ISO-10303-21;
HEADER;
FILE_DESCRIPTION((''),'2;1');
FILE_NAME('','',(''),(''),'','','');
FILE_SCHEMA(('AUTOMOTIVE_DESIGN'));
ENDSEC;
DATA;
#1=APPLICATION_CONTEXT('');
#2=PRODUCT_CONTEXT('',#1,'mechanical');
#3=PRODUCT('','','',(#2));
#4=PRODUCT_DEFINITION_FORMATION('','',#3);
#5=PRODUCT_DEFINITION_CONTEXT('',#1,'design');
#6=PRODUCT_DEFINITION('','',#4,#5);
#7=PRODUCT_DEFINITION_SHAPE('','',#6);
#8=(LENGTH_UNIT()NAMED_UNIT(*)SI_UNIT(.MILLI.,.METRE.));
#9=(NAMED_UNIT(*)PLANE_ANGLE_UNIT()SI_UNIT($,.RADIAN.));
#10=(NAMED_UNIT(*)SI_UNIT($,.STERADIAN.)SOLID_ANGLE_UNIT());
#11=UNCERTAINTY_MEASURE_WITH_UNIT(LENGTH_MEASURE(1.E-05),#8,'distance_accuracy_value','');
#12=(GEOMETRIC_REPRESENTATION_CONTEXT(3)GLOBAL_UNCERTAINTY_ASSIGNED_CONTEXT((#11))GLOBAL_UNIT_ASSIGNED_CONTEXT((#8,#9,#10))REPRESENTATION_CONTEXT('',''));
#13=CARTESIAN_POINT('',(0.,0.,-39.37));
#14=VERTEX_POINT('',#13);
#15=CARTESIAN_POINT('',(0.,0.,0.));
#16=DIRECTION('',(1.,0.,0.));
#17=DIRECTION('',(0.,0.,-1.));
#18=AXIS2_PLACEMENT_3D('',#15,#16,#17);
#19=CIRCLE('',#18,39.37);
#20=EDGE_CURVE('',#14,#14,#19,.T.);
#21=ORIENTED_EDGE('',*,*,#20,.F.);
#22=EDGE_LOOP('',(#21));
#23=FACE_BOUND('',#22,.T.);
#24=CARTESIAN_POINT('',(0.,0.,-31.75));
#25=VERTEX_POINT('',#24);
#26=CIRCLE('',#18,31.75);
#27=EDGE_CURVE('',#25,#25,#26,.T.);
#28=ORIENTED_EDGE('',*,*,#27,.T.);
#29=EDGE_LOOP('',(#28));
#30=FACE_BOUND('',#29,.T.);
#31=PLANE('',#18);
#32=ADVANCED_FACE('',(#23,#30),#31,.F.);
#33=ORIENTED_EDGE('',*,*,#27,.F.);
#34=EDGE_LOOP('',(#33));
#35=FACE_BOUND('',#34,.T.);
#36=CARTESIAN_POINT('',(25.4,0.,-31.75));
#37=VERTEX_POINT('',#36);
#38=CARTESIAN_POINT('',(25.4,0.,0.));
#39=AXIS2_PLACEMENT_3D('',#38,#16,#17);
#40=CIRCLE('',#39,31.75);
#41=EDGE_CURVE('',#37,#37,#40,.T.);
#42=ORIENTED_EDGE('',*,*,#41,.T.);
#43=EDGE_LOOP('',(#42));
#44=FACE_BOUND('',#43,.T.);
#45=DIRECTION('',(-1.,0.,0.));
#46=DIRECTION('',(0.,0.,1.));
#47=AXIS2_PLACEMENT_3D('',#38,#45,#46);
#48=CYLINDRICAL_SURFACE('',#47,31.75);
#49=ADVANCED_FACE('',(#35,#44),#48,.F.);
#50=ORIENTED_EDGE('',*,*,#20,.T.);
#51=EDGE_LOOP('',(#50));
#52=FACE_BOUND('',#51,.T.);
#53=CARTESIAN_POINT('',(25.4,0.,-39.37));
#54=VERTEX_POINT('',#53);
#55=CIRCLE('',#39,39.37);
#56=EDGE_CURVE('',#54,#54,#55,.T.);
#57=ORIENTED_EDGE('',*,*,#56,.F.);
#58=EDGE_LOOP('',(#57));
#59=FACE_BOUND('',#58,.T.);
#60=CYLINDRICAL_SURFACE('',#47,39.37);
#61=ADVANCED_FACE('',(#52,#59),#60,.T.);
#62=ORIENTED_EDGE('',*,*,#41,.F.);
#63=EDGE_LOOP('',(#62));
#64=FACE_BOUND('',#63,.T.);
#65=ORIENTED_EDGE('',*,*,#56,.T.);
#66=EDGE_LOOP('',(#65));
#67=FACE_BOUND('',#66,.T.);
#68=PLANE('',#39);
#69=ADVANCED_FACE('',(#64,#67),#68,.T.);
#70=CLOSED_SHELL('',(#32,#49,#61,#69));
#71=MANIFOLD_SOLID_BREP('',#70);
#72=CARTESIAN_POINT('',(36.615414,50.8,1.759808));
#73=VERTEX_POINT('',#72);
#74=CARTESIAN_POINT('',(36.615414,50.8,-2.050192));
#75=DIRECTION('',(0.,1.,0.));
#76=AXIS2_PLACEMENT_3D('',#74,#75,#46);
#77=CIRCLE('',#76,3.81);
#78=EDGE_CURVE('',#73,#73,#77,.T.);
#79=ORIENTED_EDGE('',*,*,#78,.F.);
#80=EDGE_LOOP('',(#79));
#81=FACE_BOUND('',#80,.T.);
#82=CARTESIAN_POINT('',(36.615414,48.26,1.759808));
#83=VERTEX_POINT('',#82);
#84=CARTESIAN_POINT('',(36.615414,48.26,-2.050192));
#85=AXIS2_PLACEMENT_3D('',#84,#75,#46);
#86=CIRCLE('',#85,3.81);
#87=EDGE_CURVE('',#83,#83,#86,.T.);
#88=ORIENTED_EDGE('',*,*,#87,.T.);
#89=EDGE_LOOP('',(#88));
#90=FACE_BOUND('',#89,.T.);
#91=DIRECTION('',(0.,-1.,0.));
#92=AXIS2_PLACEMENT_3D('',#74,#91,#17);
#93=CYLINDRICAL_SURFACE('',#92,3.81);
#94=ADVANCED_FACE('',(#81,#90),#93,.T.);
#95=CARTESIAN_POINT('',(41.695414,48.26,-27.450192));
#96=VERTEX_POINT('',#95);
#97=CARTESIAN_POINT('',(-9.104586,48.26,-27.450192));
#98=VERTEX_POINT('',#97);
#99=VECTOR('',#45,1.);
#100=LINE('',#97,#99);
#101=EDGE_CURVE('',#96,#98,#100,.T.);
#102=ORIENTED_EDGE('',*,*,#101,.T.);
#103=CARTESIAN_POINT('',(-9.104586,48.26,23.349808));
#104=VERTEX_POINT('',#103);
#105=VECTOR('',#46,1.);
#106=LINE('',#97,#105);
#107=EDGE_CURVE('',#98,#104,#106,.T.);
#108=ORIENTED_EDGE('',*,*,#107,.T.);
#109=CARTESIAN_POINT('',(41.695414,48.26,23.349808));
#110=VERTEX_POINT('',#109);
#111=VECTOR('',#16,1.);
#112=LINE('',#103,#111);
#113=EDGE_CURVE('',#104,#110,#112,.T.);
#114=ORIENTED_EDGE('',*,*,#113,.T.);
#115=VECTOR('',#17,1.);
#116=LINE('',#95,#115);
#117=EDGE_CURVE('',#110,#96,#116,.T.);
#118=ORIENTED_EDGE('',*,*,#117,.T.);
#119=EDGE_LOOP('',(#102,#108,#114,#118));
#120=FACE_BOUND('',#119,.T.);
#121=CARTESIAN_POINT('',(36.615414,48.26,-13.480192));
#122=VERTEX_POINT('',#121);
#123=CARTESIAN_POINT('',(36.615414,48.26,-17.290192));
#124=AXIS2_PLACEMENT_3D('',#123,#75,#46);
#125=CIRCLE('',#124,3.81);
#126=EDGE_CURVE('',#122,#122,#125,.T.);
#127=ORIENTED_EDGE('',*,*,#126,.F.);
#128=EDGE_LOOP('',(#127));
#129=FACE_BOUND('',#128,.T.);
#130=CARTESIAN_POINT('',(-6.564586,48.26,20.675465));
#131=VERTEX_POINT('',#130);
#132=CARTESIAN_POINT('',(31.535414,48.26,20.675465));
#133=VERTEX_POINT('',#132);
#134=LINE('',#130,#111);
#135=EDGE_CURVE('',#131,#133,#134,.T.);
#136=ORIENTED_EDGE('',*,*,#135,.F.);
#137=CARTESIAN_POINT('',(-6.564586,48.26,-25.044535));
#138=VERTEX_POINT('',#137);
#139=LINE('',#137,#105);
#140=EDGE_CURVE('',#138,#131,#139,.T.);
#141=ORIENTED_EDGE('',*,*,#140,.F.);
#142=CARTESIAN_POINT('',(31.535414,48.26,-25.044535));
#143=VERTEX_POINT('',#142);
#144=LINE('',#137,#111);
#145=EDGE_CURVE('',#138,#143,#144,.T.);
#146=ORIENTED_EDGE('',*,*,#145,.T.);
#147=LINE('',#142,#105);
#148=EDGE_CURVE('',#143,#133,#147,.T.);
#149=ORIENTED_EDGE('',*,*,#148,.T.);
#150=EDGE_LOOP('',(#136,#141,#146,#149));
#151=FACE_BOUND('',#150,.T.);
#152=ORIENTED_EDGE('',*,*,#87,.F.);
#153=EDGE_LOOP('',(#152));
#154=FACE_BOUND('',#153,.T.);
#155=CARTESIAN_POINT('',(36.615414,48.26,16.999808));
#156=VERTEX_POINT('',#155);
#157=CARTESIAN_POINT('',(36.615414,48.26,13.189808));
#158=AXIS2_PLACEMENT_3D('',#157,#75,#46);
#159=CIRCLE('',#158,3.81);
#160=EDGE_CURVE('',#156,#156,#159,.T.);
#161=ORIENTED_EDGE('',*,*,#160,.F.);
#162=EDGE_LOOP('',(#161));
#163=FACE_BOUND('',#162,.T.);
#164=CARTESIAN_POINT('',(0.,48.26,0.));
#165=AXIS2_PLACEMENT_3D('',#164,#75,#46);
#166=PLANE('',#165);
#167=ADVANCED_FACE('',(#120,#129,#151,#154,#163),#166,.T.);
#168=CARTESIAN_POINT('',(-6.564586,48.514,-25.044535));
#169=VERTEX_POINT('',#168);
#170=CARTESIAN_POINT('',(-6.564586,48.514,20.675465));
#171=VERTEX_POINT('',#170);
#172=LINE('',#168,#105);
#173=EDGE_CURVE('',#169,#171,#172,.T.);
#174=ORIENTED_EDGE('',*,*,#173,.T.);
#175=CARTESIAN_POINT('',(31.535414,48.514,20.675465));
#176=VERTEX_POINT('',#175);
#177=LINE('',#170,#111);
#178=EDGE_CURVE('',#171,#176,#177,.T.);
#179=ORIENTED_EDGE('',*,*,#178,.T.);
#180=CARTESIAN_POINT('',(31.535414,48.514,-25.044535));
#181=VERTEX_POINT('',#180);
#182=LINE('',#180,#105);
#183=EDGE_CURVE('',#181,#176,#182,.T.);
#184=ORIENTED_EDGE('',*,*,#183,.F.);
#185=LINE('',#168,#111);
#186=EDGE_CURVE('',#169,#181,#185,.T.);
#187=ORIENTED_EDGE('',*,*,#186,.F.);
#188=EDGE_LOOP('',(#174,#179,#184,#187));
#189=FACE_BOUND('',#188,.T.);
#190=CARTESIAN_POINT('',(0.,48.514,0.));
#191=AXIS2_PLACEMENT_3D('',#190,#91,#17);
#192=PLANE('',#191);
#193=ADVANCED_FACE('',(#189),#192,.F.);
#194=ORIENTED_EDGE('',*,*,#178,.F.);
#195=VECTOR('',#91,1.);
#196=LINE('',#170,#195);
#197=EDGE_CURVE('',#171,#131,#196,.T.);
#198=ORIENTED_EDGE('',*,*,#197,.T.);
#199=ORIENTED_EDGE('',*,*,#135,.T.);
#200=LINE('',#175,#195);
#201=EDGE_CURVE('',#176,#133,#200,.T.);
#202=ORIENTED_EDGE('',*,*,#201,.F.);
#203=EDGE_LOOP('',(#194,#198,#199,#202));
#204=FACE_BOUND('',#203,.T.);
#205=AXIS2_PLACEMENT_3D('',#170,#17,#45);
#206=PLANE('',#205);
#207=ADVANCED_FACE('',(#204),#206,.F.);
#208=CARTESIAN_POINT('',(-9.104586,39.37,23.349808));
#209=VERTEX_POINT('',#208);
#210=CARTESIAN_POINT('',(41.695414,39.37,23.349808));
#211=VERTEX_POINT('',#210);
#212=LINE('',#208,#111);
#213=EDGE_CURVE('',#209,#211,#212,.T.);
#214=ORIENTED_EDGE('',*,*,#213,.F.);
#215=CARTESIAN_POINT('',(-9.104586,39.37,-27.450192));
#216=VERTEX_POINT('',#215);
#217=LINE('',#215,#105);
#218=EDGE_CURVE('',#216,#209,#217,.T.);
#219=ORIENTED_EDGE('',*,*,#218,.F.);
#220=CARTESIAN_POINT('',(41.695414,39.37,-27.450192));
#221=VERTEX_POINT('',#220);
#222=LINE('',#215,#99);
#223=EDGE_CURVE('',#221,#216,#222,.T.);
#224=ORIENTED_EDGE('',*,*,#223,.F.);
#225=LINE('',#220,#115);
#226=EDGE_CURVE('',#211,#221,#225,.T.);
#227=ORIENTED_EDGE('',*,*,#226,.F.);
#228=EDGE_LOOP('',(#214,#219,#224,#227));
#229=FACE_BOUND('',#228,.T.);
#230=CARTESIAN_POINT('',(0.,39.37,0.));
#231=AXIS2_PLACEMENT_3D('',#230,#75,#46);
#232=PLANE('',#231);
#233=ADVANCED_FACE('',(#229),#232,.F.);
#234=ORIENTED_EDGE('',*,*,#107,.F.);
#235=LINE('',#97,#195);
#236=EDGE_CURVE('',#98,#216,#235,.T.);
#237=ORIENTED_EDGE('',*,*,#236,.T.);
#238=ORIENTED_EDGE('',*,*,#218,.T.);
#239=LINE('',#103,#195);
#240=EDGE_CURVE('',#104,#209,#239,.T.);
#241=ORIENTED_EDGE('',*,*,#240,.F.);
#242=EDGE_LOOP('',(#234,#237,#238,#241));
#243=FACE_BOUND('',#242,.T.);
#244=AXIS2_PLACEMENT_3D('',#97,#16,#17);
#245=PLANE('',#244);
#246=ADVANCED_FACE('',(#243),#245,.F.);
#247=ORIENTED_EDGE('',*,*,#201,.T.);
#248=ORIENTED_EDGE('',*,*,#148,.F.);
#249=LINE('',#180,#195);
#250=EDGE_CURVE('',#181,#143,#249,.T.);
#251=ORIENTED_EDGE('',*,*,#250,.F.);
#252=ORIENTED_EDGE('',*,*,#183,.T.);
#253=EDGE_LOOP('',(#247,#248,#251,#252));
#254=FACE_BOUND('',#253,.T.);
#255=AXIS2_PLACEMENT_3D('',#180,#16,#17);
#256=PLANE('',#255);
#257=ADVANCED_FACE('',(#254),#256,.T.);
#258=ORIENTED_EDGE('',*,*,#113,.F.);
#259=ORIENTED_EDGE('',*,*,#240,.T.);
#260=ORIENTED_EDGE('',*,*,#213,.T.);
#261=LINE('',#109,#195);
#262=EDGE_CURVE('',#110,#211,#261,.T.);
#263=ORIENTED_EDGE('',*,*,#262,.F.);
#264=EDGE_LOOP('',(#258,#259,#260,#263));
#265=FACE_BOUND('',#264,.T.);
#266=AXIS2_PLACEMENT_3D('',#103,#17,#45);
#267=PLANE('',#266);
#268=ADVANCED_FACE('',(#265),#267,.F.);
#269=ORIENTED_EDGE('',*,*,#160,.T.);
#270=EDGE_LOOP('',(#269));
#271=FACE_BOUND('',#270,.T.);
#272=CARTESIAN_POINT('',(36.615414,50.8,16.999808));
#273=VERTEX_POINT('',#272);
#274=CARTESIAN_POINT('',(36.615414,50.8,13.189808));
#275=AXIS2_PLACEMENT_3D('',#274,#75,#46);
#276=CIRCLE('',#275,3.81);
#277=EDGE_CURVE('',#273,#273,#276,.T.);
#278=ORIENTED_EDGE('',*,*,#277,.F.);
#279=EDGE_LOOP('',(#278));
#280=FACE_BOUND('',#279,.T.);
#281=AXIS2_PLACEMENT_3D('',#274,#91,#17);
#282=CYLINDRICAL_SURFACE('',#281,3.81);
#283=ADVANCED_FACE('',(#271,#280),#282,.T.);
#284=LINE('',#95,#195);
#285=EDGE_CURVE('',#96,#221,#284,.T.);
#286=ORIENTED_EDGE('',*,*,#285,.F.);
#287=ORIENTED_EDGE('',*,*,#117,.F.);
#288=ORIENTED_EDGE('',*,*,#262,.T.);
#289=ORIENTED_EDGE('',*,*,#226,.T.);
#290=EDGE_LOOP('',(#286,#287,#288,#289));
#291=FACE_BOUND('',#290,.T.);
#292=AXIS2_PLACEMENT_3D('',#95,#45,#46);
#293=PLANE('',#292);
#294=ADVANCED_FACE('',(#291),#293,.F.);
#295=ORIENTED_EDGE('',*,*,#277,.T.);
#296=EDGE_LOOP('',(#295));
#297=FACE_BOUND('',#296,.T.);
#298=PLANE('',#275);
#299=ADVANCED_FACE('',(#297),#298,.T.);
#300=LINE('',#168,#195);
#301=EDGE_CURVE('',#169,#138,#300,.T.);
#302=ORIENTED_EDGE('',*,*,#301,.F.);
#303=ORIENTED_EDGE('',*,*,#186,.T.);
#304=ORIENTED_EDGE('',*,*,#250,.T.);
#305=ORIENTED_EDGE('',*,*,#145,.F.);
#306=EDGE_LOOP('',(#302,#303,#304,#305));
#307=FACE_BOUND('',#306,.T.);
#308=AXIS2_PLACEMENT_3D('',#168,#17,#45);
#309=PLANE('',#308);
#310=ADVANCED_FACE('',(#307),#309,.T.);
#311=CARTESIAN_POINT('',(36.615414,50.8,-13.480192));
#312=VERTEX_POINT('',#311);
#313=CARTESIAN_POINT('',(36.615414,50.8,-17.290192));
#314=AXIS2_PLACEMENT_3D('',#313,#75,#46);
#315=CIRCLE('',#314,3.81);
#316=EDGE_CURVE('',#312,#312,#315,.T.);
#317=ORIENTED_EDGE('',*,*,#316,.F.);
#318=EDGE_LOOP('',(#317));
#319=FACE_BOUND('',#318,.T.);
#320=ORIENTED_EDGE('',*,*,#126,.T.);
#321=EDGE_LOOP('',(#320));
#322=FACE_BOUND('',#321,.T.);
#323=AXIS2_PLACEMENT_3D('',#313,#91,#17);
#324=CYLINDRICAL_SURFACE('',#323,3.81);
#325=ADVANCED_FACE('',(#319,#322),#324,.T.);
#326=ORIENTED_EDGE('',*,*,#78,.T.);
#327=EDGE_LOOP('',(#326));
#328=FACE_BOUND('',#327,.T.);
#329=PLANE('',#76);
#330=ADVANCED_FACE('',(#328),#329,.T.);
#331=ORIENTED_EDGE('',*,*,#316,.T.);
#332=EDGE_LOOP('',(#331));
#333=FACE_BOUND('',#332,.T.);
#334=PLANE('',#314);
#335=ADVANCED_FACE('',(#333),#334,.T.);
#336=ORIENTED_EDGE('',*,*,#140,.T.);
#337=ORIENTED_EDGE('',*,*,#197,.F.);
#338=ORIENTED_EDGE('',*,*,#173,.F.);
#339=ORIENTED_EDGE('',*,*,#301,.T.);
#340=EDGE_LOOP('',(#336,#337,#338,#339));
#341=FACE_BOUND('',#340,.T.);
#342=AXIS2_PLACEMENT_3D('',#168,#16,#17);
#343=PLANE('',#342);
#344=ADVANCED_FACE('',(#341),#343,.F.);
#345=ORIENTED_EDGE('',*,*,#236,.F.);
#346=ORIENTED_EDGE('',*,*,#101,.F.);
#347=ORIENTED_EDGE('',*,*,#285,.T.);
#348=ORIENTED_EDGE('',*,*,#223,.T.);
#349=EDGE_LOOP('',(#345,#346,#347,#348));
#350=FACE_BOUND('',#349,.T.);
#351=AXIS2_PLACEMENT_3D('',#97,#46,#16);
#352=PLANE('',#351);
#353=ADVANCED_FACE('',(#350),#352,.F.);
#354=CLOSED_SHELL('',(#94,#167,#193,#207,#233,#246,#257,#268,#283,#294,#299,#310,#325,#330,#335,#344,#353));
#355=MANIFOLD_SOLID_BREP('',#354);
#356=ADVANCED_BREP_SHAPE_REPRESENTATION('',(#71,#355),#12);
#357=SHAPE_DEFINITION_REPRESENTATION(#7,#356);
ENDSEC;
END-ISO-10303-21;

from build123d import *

# Parameters (mm, degrees)
SKETCH1_R           = 39.37
SKETCH1_R_2         = 31.75
BOSS_EXTRUDE1_DEPTH = 25.4
SKETCH4_W           = 50.8
SKETCH4_H           = 50.8
BOSS_EXTRUDE3_DEPTH = 8.89
SKETCH5_W           = 38.1
SKETCH5_H           = 45.72
BOSS_EXTRUDE4_DEPTH = 0.254
SKETCH7_R           = 3.81
BOSS_EXTRUDE5_DEPTH = 2.54


with BuildPart() as part:
    # Sketch1 → Boss-Extrude1 (new body)
    with BuildSketch(Plane(origin=(0, 0, 0), x_dir=(0, 0, -1), z_dir=(1, 0, 0))):
        Circle(SKETCH1_R)
        Circle(SKETCH1_R_2, mode=Mode.SUBTRACT)
    extrude(amount=BOSS_EXTRUDE1_DEPTH)


with BuildPart() as body_2:
    # Sketch4 → Boss-Extrude3 (new body)
    with BuildSketch(Plane(origin=(0, 39.37, 0), x_dir=(1, 0, 0), z_dir=(0, 1, 0))):
        with Locations((16.295414044, 2.050192216)):
            Rectangle(SKETCH4_W, SKETCH4_H)
    extrude(amount=BOSS_EXTRUDE3_DEPTH)

    # Sketch5 → Boss-Extrude4 (add)
    with BuildSketch(Plane(origin=(0, 48.26, 0), x_dir=(1, 0, 0), z_dir=(0, 1, 0))):
        with Locations((12.485414044, 2.184535296)):
            Rectangle(SKETCH5_W, SKETCH5_H)
    extrude(amount=BOSS_EXTRUDE4_DEPTH)

    # Sketch7 → Boss-Extrude5 (add)
    with BuildSketch(Plane(origin=(0, 48.26, 0), x_dir=(1, 0, 0), z_dir=(0, 1, 0))):
        with Locations(Location((36.615414044, 17.290192216, 0), (0, 0, 270))):
            Circle(SKETCH7_R)
        with Locations(Location((36.615414044, -13.189807784, 0), (0, 0, 270))):
            Circle(SKETCH7_R)
        with Locations(Location((36.615414044, 2.050192216, 0), (0, 0, 270))):
            Circle(SKETCH7_R)
    extrude(amount=BOSS_EXTRUDE5_DEPTH)


solid = Compound([part.part, body_2.part])
